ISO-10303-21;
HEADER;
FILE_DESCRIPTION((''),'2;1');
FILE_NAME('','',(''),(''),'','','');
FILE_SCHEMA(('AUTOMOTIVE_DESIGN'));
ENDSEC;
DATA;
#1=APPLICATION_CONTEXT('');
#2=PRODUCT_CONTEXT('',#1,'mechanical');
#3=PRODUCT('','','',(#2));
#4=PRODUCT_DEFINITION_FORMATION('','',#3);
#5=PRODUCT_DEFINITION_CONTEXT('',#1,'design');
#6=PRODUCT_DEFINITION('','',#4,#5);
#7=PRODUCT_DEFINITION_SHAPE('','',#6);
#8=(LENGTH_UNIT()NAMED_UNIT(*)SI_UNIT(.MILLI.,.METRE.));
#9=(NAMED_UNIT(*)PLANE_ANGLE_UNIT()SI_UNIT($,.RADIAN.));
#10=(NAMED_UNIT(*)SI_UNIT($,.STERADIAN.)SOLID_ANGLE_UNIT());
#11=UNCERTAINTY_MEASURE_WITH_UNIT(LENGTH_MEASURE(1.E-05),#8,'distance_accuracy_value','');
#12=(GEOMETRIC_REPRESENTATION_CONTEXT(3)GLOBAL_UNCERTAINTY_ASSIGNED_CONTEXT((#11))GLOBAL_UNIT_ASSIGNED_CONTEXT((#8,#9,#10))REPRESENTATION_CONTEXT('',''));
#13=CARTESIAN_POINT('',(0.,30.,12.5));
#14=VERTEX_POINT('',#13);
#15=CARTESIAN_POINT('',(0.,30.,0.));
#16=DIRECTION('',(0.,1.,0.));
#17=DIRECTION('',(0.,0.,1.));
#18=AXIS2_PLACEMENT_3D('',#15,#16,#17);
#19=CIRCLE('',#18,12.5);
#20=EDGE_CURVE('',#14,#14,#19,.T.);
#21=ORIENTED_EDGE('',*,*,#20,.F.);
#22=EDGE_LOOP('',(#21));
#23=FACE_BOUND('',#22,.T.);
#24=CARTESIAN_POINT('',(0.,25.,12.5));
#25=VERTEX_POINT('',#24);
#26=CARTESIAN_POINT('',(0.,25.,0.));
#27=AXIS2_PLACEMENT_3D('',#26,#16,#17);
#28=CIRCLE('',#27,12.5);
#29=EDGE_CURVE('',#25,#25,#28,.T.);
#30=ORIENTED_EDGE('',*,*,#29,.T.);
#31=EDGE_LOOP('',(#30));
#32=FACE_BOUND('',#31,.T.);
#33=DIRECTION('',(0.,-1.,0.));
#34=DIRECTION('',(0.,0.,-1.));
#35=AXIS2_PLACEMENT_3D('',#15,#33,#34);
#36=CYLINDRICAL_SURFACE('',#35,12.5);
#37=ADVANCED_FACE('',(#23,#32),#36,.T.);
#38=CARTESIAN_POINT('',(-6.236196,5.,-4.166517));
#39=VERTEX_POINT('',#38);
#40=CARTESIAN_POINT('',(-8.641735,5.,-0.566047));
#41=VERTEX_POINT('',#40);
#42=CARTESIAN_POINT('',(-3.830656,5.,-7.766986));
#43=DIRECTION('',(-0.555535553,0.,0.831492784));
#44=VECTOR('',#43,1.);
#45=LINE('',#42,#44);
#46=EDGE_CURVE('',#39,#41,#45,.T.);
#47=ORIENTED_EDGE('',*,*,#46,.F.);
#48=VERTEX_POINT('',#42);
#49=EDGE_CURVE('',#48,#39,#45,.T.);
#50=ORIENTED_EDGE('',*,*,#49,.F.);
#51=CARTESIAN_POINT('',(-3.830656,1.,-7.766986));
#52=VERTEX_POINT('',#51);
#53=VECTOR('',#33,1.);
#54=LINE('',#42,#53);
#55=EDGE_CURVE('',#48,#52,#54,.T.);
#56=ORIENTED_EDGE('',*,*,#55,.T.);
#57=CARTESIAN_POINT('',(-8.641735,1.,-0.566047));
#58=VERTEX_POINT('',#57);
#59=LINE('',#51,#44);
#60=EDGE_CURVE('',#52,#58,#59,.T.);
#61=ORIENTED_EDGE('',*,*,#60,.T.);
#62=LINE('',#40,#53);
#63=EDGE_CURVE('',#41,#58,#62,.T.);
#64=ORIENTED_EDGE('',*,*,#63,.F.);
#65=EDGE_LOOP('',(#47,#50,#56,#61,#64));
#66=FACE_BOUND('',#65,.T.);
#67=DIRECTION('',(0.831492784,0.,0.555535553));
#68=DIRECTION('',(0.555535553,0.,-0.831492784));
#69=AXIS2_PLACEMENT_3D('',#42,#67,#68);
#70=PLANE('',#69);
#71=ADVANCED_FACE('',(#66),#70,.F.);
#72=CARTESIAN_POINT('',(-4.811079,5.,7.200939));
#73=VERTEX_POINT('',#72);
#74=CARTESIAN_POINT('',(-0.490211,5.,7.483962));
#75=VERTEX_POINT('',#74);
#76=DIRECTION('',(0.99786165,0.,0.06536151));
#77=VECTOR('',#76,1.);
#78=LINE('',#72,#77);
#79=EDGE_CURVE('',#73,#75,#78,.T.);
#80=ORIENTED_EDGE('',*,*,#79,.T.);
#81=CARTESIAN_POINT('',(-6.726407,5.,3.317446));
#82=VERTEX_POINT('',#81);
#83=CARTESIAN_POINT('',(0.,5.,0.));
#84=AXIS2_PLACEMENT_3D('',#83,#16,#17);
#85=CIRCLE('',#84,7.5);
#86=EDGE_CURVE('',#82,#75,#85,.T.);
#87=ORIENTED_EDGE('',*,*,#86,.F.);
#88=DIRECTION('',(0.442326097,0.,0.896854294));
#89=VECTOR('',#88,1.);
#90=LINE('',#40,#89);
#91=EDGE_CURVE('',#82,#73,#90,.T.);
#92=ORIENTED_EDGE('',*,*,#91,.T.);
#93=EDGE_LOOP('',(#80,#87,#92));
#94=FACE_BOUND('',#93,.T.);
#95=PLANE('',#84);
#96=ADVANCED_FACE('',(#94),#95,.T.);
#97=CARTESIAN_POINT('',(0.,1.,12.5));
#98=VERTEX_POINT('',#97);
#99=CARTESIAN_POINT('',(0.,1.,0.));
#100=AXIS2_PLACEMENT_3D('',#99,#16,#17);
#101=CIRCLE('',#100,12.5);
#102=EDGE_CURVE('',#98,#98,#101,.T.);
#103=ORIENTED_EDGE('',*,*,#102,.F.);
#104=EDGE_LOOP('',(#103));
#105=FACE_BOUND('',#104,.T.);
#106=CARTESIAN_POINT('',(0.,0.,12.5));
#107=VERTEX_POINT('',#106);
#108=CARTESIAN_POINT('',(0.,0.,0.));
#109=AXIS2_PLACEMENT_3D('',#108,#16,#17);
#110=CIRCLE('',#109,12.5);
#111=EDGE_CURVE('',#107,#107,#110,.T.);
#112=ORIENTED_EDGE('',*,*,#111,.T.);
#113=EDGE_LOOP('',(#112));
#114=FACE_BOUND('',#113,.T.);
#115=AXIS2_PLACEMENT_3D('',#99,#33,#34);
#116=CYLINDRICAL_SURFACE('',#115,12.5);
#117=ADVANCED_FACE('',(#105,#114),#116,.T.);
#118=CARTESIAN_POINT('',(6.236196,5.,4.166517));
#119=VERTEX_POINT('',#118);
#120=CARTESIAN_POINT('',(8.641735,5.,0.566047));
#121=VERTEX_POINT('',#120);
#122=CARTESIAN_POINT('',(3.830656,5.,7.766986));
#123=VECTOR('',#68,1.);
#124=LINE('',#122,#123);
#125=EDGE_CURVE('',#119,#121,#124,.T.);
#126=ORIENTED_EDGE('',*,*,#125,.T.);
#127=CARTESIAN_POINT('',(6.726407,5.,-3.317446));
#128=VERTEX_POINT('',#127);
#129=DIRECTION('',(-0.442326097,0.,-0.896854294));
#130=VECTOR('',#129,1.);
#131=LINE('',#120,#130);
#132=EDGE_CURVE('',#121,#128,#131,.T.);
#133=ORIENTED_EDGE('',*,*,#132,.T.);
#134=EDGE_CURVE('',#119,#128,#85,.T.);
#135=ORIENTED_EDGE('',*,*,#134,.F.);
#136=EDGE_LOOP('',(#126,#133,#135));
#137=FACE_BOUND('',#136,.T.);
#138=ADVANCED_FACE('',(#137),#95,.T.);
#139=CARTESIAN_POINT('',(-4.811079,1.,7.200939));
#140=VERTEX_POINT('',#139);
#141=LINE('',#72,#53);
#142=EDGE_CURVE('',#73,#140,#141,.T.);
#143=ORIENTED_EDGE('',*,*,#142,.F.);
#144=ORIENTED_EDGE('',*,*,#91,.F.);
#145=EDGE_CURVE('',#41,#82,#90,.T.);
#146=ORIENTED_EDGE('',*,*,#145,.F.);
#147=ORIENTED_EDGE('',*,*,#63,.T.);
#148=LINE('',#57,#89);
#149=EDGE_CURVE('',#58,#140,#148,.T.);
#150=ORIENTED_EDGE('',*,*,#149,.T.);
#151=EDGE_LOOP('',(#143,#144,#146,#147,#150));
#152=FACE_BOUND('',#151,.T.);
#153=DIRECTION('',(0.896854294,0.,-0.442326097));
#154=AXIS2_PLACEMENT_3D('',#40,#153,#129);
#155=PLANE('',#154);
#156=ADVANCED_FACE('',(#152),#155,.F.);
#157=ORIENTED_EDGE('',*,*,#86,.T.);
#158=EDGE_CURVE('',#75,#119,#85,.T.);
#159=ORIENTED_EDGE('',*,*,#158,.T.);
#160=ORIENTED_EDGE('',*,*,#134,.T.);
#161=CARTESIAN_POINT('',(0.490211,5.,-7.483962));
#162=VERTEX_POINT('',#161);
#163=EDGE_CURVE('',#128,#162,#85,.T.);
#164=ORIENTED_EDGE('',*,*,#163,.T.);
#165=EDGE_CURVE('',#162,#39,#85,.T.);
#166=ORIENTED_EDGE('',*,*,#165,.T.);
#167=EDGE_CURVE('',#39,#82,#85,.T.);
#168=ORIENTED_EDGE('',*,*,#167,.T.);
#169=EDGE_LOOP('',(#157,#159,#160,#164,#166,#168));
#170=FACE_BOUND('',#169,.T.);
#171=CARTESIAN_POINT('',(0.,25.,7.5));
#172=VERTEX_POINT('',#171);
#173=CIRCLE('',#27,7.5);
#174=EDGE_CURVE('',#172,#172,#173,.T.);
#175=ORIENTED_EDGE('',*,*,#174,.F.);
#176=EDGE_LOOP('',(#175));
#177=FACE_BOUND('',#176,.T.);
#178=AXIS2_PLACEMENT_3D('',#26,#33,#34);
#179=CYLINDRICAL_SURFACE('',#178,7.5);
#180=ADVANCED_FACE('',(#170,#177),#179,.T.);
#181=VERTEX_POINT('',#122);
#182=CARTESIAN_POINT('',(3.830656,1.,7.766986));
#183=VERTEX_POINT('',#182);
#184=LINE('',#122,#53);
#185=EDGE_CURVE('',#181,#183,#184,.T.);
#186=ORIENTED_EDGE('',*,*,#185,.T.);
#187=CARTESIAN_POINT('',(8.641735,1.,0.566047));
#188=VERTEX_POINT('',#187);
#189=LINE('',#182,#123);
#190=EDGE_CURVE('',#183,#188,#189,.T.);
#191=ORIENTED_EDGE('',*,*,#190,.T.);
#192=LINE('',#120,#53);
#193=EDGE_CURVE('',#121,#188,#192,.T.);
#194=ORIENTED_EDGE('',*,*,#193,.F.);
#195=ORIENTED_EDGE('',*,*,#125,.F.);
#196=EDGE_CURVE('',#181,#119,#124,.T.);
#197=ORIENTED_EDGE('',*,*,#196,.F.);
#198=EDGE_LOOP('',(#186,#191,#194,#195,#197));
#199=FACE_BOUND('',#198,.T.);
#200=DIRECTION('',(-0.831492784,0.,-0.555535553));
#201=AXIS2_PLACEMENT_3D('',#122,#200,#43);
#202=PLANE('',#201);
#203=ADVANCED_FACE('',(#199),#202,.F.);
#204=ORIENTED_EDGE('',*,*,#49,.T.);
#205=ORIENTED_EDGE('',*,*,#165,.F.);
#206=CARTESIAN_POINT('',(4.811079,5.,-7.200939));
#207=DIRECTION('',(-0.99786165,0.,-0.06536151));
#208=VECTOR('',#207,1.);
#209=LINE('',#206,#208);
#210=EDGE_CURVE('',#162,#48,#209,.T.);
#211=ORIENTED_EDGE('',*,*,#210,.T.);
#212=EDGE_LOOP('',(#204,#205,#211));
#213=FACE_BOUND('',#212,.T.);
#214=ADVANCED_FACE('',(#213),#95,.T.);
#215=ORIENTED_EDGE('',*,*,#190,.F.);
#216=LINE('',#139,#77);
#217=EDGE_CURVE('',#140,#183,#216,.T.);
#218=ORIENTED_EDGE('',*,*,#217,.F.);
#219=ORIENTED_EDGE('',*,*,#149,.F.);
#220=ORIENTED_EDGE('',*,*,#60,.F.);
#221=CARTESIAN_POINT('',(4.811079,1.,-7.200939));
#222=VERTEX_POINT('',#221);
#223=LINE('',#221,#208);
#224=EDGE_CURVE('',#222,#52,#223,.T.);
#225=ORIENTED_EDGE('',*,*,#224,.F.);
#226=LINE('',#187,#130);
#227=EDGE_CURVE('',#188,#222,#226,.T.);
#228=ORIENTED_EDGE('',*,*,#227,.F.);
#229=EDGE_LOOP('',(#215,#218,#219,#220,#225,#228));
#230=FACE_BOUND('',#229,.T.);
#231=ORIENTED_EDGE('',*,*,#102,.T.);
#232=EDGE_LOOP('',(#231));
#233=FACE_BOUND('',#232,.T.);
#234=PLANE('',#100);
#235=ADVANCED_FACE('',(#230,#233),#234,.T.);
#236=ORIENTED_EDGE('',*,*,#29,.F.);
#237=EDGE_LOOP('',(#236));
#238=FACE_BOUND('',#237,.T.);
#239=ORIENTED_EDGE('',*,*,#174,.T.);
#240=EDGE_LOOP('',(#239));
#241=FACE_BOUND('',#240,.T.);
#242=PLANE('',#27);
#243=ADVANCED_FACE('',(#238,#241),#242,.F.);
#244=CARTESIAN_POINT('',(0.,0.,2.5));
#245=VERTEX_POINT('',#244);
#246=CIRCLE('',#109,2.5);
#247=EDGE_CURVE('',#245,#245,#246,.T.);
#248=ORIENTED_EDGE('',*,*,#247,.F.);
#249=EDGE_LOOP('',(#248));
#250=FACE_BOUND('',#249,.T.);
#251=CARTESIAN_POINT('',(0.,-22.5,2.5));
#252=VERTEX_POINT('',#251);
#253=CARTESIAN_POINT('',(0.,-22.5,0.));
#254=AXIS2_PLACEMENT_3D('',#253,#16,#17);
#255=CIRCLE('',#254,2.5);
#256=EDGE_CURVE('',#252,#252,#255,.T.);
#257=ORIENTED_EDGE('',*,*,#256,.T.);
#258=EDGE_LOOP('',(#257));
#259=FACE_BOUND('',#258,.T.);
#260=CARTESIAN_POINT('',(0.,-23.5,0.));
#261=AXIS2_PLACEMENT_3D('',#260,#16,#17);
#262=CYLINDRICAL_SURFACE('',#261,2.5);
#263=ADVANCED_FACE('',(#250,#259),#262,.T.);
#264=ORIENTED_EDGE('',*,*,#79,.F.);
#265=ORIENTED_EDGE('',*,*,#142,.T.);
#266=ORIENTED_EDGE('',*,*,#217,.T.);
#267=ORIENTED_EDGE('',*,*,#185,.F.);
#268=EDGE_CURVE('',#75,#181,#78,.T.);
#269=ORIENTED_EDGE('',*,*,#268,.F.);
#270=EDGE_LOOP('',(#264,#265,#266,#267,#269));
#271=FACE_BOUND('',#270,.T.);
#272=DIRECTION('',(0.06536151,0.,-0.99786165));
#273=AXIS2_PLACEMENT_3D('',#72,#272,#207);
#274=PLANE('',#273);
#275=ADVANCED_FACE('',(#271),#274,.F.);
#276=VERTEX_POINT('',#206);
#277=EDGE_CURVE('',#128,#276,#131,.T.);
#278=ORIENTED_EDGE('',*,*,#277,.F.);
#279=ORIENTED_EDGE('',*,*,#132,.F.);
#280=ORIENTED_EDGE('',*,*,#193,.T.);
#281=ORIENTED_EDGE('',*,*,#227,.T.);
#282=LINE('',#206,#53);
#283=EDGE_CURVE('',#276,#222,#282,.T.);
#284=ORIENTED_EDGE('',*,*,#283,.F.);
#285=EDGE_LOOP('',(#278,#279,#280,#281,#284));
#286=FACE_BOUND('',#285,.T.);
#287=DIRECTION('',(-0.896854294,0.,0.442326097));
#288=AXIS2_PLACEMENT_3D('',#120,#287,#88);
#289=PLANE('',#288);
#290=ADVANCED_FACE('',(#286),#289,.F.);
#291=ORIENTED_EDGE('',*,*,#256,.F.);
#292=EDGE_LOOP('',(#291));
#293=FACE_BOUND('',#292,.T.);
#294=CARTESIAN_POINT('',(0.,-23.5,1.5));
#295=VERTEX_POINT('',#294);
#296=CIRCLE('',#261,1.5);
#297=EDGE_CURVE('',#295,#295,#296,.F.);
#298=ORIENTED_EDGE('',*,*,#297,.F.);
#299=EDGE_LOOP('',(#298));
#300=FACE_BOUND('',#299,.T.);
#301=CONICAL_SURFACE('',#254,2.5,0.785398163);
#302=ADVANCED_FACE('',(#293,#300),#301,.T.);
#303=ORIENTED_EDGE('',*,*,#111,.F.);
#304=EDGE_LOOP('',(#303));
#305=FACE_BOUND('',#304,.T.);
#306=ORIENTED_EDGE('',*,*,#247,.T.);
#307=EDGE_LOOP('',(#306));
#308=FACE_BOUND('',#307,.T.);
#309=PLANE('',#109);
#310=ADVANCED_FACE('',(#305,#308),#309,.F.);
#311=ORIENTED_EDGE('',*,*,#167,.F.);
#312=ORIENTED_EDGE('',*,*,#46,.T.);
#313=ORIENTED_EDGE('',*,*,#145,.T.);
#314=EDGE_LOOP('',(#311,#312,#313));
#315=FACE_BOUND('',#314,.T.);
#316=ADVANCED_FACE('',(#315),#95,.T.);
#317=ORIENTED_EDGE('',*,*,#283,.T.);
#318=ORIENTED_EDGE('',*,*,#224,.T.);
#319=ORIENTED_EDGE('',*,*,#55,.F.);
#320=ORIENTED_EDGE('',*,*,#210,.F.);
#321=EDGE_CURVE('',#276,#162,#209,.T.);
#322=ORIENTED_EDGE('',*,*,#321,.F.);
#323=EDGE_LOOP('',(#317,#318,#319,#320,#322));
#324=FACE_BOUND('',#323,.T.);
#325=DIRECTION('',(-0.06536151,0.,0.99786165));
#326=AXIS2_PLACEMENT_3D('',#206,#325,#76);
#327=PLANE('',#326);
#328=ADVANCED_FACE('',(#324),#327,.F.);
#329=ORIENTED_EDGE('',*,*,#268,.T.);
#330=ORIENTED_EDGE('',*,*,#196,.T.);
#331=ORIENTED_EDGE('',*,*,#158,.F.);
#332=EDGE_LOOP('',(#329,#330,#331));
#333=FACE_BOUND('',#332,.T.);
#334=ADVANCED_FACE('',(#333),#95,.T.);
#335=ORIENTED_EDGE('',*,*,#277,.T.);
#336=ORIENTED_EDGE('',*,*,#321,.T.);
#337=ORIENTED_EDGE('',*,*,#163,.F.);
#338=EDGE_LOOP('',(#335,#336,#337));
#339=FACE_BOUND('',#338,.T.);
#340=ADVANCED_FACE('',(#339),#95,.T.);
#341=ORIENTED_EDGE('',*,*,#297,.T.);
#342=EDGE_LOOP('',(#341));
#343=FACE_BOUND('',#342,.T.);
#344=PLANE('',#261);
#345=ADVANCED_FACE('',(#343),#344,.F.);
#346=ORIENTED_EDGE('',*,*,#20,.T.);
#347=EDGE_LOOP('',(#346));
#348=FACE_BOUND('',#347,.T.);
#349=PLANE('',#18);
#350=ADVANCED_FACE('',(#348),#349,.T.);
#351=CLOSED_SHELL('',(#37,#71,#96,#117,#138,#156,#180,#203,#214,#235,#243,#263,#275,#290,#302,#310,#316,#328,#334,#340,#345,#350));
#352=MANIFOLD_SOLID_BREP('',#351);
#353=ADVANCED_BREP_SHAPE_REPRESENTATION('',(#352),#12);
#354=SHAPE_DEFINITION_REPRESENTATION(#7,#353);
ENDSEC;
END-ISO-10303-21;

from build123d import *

# Parameters (mm, degrees)
SKETCH1_R           = 12.5
BOSS_EXTRUDE1_DEPTH = 1
BOSS_EXTRUDE2_DEPTH = 4
SKETCH4_R           = 2.5
BOSS_EXTRUDE3_DEPTH = 28.5
CHAMFER1_SIZE       = 1
SKETCH5_R           = 7.5
BOSS_EXTRUDE4_DEPTH = 20
SKETCH6_R           = 12.5
BOSS_EXTRUDE5_DEPTH = 5


with BuildPart() as part:
    # Sketch1 → Boss-Extrude1 (new body)
    with BuildSketch(Plane(origin=(0, 0, 0), x_dir=(1, 0, 0), z_dir=(0, 1, 0))):
        Circle(SKETCH1_R)
    extrude(amount=BOSS_EXTRUDE1_DEPTH)

    # Sketch2 → Boss-Extrude2 (add)
    with BuildSketch(Plane(origin=(0, 1, 0), x_dir=(1, 0, 0), z_dir=(0, 1, 0))):
        Polygon((3.830656369, -7.766986017), (8.641735386, -0.56604728), (4.811079017, 7.200938737), (-3.830656369, 7.766986017), (-8.641735386, 0.56604728), (-4.811079017, -7.200938737), align=None)
    extrude(amount=BOSS_EXTRUDE2_DEPTH)

    # Sketch4 → Boss-Extrude3 (add)
    with BuildSketch(Plane(origin=(0, 5, 0), x_dir=(1, 0, 0), z_dir=(0, 1, 0))):
        Circle(SKETCH4_R)
    extrude(amount=-BOSS_EXTRUDE3_DEPTH)

    # Chamfer1
    chamfer1_edges = [part.edges().sort_by_distance(p)[0] for p in [
        (-2.5, -23.5, 0),
    ]]
    chamfer(chamfer1_edges, length=CHAMFER1_SIZE)

    # Sketch5 → Boss-Extrude4 (add)
    with BuildSketch(Plane(origin=(0, 5, 0), x_dir=(1, 0, 0), z_dir=(0, 1, 0))):
        Circle(SKETCH5_R)
    extrude(amount=BOSS_EXTRUDE4_DEPTH)

    # Sketch6 → Boss-Extrude5 (add)
    with BuildSketch(Plane(origin=(0, 25, 0), x_dir=(1, 0, 0), z_dir=(0, 1, 0))):
        Circle(SKETCH6_R)
    extrude(amount=BOSS_EXTRUDE5_DEPTH)


solid = part.part
